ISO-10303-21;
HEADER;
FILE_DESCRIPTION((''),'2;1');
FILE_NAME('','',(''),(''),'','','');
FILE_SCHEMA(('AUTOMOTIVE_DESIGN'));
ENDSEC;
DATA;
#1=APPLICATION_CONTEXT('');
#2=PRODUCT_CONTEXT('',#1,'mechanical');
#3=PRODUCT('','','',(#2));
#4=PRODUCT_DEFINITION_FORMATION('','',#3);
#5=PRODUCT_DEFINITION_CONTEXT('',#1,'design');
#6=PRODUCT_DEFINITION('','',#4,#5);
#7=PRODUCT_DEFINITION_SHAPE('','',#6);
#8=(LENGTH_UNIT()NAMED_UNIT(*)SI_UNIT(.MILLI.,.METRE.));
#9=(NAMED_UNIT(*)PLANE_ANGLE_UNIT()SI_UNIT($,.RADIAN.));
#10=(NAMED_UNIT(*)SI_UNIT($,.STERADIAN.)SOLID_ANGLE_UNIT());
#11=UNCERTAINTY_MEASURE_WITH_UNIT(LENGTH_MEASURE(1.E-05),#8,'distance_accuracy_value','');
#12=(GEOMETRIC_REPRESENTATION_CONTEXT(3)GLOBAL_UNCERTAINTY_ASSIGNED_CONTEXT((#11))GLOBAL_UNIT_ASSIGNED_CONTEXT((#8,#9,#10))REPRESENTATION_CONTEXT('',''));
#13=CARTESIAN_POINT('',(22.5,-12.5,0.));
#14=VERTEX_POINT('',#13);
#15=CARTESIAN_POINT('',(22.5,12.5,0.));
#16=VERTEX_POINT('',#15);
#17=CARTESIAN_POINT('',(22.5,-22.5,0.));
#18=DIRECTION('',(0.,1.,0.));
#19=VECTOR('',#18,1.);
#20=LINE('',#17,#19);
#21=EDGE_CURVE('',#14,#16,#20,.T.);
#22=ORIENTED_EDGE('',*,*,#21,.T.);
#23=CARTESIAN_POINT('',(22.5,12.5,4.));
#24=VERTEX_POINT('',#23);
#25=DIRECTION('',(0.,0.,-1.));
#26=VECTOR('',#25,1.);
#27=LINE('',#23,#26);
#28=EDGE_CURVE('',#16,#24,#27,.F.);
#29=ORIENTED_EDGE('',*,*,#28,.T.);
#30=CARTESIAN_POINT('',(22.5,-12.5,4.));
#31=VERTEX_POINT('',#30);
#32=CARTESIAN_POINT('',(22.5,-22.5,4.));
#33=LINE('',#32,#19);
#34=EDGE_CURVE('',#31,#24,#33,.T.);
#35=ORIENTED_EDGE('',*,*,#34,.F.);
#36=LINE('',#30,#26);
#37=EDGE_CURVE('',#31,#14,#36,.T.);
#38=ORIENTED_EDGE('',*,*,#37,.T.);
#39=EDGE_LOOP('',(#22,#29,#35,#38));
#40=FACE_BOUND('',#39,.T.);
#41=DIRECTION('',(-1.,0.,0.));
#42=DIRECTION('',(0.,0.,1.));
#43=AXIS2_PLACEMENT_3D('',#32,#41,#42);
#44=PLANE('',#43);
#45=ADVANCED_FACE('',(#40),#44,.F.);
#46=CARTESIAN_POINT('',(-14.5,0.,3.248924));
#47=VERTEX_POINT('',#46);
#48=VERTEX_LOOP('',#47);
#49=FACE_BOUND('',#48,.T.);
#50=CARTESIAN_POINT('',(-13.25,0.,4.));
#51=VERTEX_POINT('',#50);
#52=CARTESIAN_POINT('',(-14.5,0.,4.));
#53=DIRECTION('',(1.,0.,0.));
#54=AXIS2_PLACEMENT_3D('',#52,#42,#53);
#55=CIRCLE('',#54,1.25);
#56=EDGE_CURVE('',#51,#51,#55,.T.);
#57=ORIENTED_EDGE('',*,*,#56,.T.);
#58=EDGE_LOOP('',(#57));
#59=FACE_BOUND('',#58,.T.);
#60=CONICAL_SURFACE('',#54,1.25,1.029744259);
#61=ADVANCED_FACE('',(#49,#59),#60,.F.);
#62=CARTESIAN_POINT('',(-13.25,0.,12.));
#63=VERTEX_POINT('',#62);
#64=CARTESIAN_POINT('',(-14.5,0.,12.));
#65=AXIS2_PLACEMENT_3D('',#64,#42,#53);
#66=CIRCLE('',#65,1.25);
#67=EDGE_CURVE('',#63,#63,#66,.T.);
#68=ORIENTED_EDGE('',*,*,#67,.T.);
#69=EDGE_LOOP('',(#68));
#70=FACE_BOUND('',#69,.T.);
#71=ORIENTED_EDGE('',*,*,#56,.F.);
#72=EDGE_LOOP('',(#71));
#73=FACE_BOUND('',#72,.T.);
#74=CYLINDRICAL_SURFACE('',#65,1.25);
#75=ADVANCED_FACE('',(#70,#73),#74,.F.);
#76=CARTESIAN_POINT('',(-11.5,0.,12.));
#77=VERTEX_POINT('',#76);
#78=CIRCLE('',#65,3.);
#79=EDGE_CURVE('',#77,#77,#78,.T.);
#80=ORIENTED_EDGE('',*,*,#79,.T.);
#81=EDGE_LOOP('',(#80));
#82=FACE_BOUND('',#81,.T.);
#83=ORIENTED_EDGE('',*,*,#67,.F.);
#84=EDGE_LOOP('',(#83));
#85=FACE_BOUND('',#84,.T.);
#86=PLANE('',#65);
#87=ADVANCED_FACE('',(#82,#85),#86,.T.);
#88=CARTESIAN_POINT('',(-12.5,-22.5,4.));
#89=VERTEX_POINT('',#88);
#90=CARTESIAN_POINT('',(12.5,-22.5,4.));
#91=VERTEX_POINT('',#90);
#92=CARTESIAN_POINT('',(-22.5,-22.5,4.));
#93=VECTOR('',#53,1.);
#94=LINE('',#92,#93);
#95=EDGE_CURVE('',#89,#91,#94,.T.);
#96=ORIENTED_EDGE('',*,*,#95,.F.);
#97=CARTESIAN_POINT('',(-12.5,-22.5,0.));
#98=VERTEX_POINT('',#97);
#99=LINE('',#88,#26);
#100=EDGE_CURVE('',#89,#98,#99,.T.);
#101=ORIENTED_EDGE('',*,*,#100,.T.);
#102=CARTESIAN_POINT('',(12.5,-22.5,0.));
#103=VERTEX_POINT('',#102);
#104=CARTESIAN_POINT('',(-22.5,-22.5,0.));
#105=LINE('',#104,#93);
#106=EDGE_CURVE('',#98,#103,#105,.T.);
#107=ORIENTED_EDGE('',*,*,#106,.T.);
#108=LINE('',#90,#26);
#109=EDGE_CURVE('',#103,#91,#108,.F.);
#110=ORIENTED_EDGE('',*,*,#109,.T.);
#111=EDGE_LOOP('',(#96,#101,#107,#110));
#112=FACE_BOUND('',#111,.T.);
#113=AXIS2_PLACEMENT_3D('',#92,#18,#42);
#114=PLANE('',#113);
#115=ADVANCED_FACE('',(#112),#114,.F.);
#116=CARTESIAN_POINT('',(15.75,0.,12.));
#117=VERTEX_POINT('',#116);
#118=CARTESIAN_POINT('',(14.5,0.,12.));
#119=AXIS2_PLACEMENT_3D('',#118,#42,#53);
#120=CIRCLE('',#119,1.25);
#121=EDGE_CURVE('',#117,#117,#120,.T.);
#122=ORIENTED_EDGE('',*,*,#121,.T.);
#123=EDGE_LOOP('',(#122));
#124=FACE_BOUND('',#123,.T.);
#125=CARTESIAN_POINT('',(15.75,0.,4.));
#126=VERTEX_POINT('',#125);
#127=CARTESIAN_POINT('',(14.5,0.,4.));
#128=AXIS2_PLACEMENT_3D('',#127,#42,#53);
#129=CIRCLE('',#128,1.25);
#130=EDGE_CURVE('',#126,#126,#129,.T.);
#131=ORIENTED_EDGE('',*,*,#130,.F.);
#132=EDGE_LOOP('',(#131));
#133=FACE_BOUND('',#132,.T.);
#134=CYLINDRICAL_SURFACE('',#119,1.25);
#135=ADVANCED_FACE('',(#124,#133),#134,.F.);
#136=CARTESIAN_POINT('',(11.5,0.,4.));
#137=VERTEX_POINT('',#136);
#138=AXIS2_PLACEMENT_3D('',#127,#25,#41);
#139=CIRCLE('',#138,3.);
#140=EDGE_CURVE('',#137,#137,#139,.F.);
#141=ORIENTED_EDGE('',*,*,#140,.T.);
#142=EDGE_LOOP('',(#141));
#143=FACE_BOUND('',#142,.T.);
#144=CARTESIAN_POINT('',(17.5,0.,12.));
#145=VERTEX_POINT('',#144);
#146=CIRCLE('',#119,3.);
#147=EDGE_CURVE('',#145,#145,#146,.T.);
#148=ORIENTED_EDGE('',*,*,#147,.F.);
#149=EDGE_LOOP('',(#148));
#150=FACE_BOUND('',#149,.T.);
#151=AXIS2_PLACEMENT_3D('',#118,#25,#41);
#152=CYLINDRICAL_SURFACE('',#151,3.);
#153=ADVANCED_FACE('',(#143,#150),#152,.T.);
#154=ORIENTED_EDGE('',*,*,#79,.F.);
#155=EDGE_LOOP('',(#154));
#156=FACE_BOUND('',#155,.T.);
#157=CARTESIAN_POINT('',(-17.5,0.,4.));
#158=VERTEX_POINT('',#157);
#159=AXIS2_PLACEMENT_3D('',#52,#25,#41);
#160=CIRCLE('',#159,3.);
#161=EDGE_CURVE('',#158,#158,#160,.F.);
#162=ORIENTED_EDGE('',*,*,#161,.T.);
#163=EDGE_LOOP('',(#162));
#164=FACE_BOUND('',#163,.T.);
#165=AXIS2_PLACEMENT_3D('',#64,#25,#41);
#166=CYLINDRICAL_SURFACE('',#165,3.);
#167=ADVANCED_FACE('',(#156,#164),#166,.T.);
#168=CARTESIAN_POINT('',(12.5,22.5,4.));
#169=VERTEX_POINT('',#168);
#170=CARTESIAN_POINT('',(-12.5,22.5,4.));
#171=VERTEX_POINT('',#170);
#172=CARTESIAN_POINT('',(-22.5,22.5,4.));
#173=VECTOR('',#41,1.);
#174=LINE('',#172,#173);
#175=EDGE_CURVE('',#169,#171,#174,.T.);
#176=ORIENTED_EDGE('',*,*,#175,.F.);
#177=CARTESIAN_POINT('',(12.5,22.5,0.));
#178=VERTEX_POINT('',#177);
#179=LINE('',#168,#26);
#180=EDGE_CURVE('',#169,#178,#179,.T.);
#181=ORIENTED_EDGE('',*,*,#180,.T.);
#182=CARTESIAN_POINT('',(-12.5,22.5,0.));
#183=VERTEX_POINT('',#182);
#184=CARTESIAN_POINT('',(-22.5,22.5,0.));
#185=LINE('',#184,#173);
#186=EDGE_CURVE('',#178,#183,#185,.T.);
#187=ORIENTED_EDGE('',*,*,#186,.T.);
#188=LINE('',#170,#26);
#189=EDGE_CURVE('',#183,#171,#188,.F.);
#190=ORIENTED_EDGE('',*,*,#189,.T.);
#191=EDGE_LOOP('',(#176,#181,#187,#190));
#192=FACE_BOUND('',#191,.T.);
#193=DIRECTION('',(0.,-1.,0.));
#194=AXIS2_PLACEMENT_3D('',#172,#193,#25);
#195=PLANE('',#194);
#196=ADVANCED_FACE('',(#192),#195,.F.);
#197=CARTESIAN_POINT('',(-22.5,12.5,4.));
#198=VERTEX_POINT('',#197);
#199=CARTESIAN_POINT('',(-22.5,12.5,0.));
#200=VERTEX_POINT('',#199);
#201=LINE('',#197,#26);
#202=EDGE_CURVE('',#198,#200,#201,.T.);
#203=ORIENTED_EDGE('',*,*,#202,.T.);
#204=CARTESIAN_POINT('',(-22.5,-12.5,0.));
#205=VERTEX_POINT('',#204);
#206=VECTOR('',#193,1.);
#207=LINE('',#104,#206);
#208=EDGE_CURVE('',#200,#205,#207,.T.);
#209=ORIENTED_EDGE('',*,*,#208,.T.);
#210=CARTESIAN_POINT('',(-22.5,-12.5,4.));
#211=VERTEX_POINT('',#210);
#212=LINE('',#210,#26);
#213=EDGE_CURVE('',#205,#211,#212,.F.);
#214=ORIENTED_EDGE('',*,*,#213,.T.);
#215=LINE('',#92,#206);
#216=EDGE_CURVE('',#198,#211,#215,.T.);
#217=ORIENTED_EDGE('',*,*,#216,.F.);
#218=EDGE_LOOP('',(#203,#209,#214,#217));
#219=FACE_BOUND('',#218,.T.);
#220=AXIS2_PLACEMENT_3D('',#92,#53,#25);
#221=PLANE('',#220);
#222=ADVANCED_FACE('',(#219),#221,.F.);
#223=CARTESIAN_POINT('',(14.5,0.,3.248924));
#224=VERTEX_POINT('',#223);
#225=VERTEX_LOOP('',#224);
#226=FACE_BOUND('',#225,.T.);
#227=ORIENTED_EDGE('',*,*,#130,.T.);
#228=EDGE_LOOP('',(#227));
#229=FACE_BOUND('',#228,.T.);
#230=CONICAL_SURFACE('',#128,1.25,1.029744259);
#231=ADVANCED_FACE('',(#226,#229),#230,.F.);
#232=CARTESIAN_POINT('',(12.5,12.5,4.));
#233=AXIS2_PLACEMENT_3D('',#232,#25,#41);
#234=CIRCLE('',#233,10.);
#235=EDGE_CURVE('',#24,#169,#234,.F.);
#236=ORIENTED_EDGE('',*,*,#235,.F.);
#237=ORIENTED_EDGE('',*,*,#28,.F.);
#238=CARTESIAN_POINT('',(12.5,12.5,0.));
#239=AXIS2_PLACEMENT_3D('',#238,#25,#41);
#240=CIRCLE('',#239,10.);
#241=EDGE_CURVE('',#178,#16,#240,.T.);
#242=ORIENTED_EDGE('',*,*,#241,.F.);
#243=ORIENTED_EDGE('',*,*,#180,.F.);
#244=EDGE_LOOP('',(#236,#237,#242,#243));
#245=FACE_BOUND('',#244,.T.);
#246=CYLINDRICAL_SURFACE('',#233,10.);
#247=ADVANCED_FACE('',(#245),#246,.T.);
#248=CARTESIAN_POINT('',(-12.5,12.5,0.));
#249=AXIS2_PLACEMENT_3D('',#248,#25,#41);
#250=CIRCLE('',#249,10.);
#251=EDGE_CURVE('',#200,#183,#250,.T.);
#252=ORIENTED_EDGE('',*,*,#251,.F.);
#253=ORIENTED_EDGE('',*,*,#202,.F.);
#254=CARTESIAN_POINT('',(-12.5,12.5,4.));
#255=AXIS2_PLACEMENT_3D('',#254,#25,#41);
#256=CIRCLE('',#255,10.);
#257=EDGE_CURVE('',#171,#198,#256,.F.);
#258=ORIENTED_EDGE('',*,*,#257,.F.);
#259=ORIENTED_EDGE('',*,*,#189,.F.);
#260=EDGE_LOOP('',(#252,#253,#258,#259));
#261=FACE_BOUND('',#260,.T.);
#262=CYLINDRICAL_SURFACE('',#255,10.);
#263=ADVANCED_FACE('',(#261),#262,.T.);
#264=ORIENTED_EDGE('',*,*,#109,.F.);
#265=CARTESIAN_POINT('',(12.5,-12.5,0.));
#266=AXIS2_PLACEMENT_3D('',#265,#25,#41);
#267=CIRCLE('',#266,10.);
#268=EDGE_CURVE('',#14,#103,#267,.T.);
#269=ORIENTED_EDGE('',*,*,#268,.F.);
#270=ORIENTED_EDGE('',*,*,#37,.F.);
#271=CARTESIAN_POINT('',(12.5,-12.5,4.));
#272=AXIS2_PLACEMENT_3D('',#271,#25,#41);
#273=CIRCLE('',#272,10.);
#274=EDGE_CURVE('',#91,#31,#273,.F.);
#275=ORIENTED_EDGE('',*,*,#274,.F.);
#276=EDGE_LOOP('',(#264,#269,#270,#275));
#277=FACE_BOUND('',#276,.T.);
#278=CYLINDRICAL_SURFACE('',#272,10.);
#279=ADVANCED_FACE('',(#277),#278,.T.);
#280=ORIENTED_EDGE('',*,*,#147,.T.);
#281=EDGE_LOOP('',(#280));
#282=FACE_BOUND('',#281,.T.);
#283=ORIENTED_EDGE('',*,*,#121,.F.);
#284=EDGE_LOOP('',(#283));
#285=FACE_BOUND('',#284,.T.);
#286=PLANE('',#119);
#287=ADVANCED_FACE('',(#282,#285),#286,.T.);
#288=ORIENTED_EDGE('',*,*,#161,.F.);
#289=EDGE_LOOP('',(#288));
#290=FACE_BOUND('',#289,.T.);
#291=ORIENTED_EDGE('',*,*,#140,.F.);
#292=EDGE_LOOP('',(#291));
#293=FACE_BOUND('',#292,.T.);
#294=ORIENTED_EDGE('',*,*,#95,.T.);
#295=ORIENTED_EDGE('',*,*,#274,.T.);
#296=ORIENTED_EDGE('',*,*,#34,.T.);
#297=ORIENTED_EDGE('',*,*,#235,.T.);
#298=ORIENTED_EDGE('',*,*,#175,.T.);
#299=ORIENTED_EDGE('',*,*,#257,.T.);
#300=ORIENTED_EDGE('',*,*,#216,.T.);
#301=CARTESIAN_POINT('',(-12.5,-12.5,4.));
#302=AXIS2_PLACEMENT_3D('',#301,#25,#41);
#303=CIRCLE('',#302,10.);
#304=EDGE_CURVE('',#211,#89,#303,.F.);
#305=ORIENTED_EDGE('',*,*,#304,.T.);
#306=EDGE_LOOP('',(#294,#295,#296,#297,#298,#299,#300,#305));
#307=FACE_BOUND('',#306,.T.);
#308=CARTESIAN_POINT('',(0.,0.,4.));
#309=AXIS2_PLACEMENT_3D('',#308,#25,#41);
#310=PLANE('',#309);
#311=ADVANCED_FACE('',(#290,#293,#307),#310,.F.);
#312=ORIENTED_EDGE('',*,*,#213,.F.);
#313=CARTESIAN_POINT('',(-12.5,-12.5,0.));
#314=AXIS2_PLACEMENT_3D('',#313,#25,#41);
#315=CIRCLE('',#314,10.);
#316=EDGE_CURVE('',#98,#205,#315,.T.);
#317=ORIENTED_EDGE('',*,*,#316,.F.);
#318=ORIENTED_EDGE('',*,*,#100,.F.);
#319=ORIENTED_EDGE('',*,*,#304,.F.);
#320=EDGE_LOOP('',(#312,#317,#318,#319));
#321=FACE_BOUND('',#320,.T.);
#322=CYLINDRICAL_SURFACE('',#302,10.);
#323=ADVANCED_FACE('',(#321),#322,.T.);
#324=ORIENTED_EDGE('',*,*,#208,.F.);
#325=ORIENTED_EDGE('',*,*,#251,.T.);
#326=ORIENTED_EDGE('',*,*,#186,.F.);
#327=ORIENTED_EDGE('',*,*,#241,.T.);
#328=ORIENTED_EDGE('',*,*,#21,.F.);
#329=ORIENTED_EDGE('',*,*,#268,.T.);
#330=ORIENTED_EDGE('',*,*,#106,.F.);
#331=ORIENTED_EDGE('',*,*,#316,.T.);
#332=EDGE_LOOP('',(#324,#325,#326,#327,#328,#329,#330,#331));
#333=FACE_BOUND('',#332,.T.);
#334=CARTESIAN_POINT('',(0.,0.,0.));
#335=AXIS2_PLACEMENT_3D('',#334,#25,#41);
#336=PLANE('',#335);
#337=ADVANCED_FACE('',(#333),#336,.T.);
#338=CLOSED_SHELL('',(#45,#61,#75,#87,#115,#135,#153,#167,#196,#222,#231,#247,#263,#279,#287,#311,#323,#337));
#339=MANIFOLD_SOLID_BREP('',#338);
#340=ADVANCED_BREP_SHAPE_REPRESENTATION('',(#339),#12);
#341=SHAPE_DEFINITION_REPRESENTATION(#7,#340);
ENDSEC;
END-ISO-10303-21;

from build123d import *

# Parameters (mm, degrees)
SKETCH5_W                       = 45
SKETCH5_H                       = 45
BOSS_EXTRUDE1_DEPTH             = 4
SKETCH7_R                       = 3
BOSS_EXTRUDE2_DEPTH             = 8
SKETCH9_R                       = 3
BOSS_EXTRUDE3_DEPTH             = 8
TAP_DRILL_FOR_M3X0_5_TAP1_D     = 2.5
TAP_DRILL_FOR_M3X0_5_TAP1_DEPTH = 8
TAP_DRILL_FOR_M3X0_5_TAP1_TIP   = 0.751075774
TAP_DRILL_FOR_M3X0_5_TAP2_D     = 2.5
TAP_DRILL_FOR_M3X0_5_TAP2_DEPTH = 8
TAP_DRILL_FOR_M3X0_5_TAP2_TIP   = 0.751075774
FILLET3_R                       = 10
FILLET4_R                       = 10


with BuildPart() as part:
    # Sketch5 → Boss-Extrude1 (new body)
    with BuildSketch(Plane.XY):
        Rectangle(SKETCH5_W, SKETCH5_H)
    extrude(amount=BOSS_EXTRUDE1_DEPTH)

    # Sketch7 → Boss-Extrude2 (add)
    with BuildSketch(Plane.XY.offset(4)):
        with Locations((-14.5, 0)):
            Circle(SKETCH7_R)
    extrude(amount=BOSS_EXTRUDE2_DEPTH)

    # Sketch9 → Boss-Extrude3 (add)
    with BuildSketch(Plane.XY.offset(4)):
        with Locations((14.5, 0)):
            Circle(SKETCH9_R)
    extrude(amount=BOSS_EXTRUDE3_DEPTH)

    # Tap Drill for M3x0.5 Tap1
    with Locations(Plane.XY.offset(12)):
        with Locations((-14.5, 0)):
            Hole(TAP_DRILL_FOR_M3X0_5_TAP1_D / 2, depth=TAP_DRILL_FOR_M3X0_5_TAP1_DEPTH)
            with Locations((0, 0, -(TAP_DRILL_FOR_M3X0_5_TAP1_DEPTH + TAP_DRILL_FOR_M3X0_5_TAP1_TIP / 2))):  # 118° drill point
                Cone(0, TAP_DRILL_FOR_M3X0_5_TAP1_D / 2, TAP_DRILL_FOR_M3X0_5_TAP1_TIP, mode=Mode.SUBTRACT)

    # Tap Drill for M3x0.5 Tap2
    with Locations(Plane.XY.offset(12)):
        with Locations((14.5, 0)):
            Hole(TAP_DRILL_FOR_M3X0_5_TAP2_D / 2, depth=TAP_DRILL_FOR_M3X0_5_TAP2_DEPTH)
            with Locations((0, 0, -(TAP_DRILL_FOR_M3X0_5_TAP2_DEPTH + TAP_DRILL_FOR_M3X0_5_TAP2_TIP / 2))):  # 118° drill point
                Cone(0, TAP_DRILL_FOR_M3X0_5_TAP2_D / 2, TAP_DRILL_FOR_M3X0_5_TAP2_TIP, mode=Mode.SUBTRACT)

    # Fillet3
    fillet3_edges = [part.edges().sort_by_distance(p)[0] for p in [
        (-22.5, 22.5, 2),
    ]]
    fillet(fillet3_edges, radius=FILLET3_R)

    # Fillet4
    fillet4_edges = [part.edges().sort_by_distance(p)[0] for p in [
        (22.5, -22.5, 2),
        (-22.5, -22.5, 2),
        (22.5, 22.5, 2),
    ]]
    fillet(fillet4_edges, radius=FILLET4_R)


solid = part.part
